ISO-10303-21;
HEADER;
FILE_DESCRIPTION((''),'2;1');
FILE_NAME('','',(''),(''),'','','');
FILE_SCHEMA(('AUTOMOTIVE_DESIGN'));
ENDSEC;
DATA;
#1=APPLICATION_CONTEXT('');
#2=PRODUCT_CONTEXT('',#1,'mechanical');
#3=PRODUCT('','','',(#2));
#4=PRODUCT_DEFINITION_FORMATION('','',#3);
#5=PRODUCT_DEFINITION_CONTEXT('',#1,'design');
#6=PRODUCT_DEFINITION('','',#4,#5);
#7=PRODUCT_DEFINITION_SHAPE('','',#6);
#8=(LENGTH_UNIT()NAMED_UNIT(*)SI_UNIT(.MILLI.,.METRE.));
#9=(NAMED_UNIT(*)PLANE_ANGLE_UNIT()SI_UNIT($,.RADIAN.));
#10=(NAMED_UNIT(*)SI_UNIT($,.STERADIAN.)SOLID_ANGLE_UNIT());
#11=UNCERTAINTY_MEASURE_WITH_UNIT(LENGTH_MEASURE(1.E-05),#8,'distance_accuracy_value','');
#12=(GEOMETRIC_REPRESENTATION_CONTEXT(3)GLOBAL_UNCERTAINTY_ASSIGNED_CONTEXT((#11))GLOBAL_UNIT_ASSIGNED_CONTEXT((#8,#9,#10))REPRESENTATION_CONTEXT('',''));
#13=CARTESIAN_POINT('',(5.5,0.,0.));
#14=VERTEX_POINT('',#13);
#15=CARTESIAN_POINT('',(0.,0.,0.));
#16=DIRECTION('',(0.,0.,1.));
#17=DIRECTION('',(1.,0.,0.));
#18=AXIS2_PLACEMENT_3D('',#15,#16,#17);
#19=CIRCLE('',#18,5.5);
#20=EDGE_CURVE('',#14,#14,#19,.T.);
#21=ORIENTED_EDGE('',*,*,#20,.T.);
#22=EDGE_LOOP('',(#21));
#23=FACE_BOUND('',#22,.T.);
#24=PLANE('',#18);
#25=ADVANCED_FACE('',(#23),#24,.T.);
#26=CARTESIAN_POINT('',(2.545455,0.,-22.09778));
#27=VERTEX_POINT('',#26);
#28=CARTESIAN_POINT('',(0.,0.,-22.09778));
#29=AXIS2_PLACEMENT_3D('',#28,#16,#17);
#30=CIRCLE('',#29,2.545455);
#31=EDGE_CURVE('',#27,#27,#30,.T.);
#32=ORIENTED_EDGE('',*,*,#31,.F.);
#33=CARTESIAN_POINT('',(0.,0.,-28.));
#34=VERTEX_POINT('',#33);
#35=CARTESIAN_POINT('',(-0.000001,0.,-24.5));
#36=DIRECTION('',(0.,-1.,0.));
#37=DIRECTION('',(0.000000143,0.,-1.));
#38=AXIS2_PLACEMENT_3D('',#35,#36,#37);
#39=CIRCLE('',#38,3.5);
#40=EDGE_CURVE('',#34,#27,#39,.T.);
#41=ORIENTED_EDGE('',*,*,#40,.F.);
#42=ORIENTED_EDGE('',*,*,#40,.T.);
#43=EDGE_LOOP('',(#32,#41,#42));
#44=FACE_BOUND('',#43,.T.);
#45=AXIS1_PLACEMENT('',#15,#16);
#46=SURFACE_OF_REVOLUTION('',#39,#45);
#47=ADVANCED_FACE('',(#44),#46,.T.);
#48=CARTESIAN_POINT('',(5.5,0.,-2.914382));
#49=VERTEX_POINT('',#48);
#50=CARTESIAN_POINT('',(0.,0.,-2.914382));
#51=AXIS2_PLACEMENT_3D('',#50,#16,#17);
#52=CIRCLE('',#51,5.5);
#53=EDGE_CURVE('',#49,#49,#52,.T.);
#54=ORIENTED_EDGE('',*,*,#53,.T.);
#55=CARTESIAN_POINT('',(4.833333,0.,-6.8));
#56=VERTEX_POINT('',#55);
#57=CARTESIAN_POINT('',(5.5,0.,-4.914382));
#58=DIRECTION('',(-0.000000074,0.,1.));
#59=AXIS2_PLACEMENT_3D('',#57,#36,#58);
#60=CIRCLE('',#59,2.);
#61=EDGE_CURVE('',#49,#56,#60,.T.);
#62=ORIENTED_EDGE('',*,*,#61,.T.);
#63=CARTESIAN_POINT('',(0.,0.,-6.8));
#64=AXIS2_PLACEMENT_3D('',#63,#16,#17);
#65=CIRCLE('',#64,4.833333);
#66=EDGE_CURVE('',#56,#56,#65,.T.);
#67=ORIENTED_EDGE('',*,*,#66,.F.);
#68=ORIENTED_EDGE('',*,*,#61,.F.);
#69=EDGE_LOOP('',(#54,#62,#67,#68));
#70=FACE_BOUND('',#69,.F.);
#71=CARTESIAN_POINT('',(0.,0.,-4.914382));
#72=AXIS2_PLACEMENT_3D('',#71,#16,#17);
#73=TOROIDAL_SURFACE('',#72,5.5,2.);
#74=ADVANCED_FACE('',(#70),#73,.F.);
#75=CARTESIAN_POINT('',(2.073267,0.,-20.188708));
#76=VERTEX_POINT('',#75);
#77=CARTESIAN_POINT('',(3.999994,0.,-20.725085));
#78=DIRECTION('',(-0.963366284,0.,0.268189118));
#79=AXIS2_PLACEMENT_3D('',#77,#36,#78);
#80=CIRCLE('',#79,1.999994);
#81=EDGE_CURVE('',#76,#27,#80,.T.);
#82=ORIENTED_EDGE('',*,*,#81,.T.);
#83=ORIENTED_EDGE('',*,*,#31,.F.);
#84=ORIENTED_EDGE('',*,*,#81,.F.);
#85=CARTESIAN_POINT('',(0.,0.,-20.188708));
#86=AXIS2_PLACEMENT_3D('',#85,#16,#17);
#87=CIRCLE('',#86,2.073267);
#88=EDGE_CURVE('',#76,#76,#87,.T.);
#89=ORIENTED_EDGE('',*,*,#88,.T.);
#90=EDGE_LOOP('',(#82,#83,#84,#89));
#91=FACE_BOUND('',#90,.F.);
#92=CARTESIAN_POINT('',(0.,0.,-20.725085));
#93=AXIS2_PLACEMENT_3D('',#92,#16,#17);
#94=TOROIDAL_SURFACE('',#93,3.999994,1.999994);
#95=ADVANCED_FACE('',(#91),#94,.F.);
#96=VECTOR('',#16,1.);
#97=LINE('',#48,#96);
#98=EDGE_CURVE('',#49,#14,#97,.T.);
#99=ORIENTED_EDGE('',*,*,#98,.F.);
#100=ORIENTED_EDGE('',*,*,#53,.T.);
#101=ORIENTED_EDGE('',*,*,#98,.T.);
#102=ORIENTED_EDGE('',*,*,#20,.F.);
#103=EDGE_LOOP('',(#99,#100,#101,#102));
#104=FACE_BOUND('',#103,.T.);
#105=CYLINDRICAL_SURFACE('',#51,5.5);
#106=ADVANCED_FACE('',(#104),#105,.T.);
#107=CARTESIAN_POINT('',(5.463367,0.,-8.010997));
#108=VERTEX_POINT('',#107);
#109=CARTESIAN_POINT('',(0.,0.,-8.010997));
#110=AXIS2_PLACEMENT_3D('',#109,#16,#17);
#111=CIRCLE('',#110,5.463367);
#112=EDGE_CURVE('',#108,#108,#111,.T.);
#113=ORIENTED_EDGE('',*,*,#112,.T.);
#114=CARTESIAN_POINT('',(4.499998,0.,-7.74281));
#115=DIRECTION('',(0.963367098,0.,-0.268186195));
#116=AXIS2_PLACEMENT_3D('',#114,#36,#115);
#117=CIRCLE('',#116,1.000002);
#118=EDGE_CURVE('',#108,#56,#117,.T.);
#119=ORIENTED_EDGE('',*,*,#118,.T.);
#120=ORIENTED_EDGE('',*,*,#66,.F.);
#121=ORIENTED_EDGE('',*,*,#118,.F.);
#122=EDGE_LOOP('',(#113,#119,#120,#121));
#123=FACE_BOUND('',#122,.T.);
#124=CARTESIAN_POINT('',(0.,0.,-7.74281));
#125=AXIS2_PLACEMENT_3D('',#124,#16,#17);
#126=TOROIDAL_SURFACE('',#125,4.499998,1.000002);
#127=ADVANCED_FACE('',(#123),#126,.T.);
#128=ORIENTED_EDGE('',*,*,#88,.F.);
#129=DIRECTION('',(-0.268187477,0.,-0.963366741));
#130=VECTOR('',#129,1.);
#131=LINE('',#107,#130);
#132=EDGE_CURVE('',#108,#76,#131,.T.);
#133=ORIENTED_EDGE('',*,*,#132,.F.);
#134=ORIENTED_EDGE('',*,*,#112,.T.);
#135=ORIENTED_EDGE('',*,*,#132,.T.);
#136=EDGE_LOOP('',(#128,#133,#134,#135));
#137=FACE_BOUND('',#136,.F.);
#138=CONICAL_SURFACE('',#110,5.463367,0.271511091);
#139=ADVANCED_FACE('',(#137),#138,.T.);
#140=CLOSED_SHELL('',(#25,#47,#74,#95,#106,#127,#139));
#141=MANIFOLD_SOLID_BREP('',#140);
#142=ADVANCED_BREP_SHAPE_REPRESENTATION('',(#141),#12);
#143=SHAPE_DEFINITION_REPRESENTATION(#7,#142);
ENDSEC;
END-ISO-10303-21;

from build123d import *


with BuildPart() as part:
    # Sketch → Revolution (revolve)
    with BuildSketch(Plane.XZ):
        with BuildLine():
            Line((0, 0), (0, -28))
            ThreePointArc((0, -28), (3.213858, -25.886043), (2.545455, -22.09778))
            ThreePointArc((2.073267, -20.188708), (2.058505, -21.20529), (2.545455, -22.09778))
            Line((5.463367, -8.010997), (2.073267, -20.188708))
            ThreePointArc((5.463367, -8.010997), (5.387122, -7.281275), (4.833333, -6.8))
            ThreePointArc((5.5, -2.914382), (3.528803, -4.576178), (4.833333, -6.8))
            Line((5.5, -2.914382), (5.5, 0))
            Line((5.5, 0), (0, 0))
        make_face()
    revolve(axis=Axis((0, 0, 0), (0, 0, 1)))


solid = part.part
